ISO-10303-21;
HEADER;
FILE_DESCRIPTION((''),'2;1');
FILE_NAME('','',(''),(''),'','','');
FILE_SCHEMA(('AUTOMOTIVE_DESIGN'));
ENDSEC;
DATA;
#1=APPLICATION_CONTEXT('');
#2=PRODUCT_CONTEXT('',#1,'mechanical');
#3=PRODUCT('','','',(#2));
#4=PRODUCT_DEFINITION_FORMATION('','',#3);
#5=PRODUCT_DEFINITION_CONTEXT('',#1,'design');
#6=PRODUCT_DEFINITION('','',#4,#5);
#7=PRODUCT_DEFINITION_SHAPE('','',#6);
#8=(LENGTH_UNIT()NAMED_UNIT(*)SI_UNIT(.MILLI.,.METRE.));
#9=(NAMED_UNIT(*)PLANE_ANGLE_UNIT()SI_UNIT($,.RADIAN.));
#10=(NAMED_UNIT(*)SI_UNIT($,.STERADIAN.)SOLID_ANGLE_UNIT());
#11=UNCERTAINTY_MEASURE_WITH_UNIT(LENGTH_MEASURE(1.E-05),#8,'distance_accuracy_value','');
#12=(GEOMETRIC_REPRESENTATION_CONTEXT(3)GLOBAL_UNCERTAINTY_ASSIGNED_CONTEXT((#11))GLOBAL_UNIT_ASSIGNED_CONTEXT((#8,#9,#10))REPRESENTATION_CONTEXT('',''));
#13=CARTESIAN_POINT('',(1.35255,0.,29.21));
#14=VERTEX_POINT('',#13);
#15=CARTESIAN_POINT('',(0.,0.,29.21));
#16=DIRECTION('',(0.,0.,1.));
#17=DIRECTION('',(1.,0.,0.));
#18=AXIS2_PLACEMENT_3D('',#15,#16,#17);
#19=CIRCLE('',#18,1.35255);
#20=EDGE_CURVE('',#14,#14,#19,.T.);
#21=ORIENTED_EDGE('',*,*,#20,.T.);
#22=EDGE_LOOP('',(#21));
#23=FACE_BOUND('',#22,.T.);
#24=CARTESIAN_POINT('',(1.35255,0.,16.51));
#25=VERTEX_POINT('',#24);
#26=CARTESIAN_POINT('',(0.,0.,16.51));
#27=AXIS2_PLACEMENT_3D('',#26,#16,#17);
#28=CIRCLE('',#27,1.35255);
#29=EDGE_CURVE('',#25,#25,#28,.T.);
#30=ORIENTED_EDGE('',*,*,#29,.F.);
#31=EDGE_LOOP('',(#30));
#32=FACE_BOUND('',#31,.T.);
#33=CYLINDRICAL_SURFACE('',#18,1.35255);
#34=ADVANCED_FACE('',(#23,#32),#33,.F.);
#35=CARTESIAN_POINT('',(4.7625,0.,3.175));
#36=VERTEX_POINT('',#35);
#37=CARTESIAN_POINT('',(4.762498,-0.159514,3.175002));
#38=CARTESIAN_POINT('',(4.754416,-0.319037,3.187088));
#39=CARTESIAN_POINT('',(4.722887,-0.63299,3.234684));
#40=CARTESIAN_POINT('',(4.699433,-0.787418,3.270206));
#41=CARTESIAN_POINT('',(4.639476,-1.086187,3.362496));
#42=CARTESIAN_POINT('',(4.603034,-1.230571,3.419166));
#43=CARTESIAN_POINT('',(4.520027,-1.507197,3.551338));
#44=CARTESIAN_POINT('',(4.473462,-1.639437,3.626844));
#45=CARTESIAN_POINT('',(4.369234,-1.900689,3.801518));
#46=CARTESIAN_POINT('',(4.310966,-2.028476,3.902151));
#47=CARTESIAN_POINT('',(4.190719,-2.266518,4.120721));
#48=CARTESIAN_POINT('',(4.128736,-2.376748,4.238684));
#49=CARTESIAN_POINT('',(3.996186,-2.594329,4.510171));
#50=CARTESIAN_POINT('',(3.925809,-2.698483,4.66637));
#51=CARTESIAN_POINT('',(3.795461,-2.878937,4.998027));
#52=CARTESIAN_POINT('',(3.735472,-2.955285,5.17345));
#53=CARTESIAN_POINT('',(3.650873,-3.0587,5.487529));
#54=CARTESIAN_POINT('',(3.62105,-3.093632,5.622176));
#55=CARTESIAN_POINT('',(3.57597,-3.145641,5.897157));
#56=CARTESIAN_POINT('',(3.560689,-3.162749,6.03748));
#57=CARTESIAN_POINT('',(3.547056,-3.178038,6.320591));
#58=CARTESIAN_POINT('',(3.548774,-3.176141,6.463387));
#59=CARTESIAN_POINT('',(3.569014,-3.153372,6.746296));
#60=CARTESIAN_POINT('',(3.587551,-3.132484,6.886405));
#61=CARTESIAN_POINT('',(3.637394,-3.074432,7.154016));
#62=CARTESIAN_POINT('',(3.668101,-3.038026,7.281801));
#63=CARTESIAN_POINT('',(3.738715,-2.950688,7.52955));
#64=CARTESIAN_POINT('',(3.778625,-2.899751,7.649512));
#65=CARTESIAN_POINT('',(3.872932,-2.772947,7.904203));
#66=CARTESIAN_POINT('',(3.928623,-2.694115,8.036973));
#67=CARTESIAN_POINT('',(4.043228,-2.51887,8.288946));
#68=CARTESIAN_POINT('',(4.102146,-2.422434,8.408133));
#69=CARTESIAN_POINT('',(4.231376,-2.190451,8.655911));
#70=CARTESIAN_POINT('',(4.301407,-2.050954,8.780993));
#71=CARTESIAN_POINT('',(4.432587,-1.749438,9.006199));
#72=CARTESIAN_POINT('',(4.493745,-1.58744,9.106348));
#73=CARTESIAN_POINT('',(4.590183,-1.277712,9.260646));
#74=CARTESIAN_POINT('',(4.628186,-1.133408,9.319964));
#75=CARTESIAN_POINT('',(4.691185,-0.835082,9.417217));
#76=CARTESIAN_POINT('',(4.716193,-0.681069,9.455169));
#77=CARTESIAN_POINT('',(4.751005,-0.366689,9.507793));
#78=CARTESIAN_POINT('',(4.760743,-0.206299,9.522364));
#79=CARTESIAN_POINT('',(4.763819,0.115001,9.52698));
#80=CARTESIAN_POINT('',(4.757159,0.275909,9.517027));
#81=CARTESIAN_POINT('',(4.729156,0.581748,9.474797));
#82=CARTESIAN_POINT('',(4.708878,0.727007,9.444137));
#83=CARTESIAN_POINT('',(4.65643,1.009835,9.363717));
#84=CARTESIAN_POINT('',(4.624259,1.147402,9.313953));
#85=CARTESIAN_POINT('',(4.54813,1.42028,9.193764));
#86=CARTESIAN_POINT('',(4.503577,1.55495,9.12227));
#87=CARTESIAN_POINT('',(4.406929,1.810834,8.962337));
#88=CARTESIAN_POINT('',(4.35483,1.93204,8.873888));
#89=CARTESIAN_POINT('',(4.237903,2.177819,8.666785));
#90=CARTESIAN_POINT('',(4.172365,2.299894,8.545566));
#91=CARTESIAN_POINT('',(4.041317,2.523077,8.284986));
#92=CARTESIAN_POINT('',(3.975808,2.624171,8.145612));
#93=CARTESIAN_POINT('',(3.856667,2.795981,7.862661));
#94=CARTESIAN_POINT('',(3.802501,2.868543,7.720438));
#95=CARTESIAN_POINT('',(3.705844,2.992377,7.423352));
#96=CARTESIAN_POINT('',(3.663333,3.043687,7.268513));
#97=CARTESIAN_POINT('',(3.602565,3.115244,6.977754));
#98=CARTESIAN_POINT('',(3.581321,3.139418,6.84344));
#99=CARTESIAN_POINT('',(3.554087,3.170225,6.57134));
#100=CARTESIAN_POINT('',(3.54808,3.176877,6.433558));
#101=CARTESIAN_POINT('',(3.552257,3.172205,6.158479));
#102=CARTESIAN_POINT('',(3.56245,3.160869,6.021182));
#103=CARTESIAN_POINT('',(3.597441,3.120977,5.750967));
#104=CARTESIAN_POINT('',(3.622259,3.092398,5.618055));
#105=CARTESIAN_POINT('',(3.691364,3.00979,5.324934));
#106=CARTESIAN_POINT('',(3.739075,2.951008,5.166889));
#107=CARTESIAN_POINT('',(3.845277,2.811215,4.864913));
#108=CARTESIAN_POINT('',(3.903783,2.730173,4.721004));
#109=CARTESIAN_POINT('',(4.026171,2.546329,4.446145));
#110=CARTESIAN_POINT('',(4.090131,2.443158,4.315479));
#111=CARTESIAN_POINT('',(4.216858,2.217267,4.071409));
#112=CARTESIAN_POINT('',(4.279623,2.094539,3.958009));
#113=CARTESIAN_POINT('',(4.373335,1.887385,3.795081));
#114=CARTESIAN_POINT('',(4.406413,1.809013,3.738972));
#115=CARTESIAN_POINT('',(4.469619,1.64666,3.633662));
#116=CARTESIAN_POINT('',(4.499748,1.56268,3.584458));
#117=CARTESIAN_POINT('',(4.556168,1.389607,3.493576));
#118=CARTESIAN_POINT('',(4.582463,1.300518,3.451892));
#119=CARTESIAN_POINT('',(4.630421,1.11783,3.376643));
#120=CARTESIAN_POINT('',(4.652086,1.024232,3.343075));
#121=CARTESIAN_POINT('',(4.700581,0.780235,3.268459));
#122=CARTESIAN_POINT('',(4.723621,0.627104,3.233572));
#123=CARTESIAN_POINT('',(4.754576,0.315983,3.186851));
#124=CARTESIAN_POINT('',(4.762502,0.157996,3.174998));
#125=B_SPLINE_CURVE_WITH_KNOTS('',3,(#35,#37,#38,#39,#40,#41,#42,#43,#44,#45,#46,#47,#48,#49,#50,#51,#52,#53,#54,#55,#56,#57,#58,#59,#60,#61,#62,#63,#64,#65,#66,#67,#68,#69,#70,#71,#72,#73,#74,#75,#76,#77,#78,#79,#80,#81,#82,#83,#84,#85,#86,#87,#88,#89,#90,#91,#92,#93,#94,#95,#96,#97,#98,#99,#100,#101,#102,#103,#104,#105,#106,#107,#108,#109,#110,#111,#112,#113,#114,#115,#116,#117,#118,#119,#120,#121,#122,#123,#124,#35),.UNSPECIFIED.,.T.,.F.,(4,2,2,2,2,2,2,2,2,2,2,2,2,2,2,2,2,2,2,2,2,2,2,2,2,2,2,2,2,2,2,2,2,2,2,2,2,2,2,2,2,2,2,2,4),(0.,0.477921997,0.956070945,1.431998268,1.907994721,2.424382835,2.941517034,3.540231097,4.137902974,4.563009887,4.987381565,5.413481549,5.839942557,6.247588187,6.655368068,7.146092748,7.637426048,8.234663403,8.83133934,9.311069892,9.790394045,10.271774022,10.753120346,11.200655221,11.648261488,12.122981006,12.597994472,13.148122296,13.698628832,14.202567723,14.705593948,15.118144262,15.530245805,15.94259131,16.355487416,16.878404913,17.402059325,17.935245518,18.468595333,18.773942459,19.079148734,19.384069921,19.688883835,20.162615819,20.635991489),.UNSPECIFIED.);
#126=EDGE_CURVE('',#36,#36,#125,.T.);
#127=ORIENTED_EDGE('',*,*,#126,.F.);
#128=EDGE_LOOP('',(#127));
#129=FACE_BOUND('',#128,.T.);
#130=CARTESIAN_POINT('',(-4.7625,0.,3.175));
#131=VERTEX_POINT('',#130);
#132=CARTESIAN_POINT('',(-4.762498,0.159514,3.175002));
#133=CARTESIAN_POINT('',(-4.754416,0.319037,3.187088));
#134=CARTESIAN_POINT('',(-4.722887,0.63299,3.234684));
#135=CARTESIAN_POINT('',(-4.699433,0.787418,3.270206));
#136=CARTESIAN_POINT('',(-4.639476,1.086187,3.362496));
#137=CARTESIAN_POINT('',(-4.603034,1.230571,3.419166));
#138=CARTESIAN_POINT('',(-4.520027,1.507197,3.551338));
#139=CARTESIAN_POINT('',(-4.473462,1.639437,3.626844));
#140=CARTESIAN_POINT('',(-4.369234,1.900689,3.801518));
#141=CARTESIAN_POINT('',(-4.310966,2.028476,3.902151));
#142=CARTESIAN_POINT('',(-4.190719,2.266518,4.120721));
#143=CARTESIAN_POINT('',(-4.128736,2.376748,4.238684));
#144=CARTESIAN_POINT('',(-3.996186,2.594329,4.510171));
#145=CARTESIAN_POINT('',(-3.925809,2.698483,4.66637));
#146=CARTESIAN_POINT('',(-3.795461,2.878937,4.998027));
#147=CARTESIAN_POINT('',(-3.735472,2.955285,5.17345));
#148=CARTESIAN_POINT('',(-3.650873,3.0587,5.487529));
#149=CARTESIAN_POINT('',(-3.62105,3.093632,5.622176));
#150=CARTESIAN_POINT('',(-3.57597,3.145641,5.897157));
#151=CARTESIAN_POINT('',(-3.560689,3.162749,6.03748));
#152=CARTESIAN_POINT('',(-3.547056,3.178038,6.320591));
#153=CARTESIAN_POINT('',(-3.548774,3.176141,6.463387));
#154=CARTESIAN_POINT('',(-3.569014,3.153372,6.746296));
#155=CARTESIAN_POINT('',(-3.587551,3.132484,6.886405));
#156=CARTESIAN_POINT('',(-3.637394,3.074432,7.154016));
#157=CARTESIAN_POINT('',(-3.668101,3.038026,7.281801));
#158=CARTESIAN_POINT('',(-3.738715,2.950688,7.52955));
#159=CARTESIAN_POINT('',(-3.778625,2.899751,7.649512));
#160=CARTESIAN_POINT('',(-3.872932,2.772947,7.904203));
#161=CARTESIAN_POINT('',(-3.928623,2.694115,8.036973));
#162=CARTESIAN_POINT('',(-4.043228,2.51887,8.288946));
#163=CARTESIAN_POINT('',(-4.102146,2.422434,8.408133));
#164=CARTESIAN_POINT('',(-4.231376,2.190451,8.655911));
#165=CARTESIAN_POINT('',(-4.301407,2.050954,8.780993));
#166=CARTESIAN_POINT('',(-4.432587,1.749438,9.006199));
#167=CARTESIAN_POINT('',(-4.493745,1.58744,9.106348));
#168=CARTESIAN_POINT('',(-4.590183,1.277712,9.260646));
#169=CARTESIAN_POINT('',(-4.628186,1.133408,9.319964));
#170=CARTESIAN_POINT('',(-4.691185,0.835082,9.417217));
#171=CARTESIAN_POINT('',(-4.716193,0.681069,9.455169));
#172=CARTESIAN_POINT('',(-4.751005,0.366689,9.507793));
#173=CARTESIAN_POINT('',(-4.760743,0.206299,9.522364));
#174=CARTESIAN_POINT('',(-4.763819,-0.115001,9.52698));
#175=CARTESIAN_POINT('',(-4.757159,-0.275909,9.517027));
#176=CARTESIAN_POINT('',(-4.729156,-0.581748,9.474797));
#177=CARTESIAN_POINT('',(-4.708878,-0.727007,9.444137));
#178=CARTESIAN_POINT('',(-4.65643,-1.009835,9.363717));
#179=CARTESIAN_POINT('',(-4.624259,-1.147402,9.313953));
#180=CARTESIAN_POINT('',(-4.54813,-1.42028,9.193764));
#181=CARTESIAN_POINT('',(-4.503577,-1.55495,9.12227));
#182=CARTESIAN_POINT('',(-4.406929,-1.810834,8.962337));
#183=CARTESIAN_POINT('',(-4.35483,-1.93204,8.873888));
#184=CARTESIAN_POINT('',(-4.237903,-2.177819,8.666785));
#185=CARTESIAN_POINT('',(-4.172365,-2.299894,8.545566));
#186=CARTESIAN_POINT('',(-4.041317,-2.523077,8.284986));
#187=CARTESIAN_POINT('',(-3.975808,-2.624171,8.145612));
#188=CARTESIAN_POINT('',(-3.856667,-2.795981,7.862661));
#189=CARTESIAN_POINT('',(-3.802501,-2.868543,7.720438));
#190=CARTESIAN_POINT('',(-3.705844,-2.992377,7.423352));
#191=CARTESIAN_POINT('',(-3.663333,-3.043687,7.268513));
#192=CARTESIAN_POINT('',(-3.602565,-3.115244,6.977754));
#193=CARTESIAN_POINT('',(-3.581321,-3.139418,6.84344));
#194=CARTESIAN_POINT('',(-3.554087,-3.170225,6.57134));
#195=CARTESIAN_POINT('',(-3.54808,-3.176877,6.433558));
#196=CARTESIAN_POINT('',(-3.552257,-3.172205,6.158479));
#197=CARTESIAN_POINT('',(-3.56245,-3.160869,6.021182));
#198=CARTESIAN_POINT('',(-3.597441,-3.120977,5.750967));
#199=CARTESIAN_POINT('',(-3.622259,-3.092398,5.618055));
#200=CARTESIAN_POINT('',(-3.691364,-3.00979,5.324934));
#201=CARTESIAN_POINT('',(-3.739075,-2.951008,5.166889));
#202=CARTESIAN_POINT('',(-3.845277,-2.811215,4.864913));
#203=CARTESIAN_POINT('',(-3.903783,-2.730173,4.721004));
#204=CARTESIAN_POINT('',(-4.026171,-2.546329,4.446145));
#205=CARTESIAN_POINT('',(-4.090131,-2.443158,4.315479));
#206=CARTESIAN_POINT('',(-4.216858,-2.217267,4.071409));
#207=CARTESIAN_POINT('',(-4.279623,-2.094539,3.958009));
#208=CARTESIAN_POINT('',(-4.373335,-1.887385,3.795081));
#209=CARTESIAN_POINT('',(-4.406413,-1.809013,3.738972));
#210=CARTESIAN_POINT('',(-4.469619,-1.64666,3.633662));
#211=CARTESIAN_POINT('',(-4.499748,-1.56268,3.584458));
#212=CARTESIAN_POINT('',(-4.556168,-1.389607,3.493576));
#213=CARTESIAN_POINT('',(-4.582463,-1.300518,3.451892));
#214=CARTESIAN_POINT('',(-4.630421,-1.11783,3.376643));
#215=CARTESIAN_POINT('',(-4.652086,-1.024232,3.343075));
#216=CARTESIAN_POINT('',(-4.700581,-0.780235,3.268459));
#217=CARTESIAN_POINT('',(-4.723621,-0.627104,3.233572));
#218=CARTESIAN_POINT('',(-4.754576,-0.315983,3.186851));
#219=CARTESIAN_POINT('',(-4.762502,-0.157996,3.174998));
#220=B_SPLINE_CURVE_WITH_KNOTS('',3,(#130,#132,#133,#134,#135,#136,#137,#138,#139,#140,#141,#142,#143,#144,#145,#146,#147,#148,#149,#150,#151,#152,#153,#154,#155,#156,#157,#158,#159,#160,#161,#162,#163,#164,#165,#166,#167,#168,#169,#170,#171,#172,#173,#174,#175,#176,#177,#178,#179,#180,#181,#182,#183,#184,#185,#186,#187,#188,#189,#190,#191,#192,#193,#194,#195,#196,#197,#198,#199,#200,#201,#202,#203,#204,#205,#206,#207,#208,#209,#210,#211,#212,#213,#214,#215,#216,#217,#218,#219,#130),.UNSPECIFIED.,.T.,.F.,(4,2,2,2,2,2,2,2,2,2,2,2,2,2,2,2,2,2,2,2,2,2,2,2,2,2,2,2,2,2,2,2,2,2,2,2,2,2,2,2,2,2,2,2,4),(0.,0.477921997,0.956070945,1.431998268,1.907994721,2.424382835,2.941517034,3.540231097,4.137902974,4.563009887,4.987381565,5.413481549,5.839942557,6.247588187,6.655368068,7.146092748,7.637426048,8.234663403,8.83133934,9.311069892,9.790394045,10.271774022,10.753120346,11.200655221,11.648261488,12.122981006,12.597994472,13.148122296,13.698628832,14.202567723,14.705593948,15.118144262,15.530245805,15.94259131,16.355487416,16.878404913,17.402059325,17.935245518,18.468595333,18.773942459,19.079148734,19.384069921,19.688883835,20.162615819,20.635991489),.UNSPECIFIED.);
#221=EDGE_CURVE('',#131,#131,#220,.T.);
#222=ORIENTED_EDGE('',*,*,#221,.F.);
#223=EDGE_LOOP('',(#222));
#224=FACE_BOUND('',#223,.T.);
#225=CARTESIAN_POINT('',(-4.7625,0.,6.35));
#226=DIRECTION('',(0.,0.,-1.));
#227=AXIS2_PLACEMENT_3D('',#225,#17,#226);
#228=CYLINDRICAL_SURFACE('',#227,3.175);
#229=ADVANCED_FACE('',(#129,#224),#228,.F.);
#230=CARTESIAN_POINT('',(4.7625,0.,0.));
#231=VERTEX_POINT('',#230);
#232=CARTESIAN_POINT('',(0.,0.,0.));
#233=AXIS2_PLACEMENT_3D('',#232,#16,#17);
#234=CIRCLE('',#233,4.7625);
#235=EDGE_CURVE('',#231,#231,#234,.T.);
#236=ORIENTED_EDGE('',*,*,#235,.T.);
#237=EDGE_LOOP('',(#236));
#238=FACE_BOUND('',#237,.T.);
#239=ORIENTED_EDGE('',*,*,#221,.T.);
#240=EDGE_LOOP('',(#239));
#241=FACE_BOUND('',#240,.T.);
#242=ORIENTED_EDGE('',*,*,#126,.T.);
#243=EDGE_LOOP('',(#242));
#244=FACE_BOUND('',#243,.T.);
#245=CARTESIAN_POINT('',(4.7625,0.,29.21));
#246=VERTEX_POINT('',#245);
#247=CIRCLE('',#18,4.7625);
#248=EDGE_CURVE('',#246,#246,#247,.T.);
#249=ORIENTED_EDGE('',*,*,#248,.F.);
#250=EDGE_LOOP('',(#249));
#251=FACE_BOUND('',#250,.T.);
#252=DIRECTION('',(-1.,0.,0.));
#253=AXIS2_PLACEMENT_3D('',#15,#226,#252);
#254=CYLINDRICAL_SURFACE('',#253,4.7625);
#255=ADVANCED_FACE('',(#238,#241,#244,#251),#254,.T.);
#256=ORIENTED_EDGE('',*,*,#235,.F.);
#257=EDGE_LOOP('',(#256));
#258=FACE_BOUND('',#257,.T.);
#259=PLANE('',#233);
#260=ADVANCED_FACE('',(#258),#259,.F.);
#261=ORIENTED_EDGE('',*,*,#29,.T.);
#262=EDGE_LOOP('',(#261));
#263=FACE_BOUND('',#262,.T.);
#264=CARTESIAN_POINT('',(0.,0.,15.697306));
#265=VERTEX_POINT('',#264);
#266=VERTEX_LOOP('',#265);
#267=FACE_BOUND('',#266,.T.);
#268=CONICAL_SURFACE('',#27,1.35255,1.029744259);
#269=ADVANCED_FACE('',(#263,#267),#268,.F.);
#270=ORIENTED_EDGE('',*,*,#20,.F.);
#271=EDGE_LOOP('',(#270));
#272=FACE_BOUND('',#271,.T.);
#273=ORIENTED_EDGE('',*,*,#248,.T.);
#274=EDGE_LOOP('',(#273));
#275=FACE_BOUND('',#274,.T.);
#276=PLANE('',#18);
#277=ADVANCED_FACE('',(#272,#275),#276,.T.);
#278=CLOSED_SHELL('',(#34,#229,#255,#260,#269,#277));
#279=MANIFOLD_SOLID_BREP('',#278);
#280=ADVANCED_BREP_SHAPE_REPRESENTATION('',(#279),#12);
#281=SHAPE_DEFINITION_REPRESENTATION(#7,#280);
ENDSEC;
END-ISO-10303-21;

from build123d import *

# Parameters (mm, degrees)
SKETCH1_R                 = 4.7625
BOSS_EXTRUDE1_DEPTH       = 29.21
CUT_EXTRUDE2_DEPTH        = 30.97643929
CUT_EXTRUDE2_DEPTH_BACK   = 30.97643929
SKETCH3_R                 = 3.175
F_6_32_TAPPED_HOLE1_D     = 2.7051
F_6_32_TAPPED_HOLE1_DEPTH = 12.7
F_6_32_TAPPED_HOLE1_TIP   = 0.81269403


with BuildPart() as part:
    # Sketch1 → Boss-Extrude1 (new body)
    with BuildSketch(Plane.XY):
        Circle(SKETCH1_R)
    extrude(amount=BOSS_EXTRUDE1_DEPTH)

    # Sketch3 → Cut-Extrude2 (cut, two sides: drawn at the far end of the back side and taken through both)
    with BuildSketch(Plane(origin=(0, 0, 0), x_dir=(0, 0, -1), z_dir=(1, 0, 0)).offset(-CUT_EXTRUDE2_DEPTH_BACK)):
        with Locations((-6.35, 0)):
            Circle(SKETCH3_R)
    extrude(amount=CUT_EXTRUDE2_DEPTH + CUT_EXTRUDE2_DEPTH_BACK, mode=Mode.SUBTRACT)

    # #6-32 Tapped Hole1
    with Locations(Plane.XY.offset(29.21)):
        with Locations((0, 0)):
            Hole(F_6_32_TAPPED_HOLE1_D / 2, depth=F_6_32_TAPPED_HOLE1_DEPTH)
            with Locations((0, 0, -(F_6_32_TAPPED_HOLE1_DEPTH + F_6_32_TAPPED_HOLE1_TIP / 2))):  # 118° drill point
                Cone(0, F_6_32_TAPPED_HOLE1_D / 2, F_6_32_TAPPED_HOLE1_TIP, mode=Mode.SUBTRACT)


solid = part.part
